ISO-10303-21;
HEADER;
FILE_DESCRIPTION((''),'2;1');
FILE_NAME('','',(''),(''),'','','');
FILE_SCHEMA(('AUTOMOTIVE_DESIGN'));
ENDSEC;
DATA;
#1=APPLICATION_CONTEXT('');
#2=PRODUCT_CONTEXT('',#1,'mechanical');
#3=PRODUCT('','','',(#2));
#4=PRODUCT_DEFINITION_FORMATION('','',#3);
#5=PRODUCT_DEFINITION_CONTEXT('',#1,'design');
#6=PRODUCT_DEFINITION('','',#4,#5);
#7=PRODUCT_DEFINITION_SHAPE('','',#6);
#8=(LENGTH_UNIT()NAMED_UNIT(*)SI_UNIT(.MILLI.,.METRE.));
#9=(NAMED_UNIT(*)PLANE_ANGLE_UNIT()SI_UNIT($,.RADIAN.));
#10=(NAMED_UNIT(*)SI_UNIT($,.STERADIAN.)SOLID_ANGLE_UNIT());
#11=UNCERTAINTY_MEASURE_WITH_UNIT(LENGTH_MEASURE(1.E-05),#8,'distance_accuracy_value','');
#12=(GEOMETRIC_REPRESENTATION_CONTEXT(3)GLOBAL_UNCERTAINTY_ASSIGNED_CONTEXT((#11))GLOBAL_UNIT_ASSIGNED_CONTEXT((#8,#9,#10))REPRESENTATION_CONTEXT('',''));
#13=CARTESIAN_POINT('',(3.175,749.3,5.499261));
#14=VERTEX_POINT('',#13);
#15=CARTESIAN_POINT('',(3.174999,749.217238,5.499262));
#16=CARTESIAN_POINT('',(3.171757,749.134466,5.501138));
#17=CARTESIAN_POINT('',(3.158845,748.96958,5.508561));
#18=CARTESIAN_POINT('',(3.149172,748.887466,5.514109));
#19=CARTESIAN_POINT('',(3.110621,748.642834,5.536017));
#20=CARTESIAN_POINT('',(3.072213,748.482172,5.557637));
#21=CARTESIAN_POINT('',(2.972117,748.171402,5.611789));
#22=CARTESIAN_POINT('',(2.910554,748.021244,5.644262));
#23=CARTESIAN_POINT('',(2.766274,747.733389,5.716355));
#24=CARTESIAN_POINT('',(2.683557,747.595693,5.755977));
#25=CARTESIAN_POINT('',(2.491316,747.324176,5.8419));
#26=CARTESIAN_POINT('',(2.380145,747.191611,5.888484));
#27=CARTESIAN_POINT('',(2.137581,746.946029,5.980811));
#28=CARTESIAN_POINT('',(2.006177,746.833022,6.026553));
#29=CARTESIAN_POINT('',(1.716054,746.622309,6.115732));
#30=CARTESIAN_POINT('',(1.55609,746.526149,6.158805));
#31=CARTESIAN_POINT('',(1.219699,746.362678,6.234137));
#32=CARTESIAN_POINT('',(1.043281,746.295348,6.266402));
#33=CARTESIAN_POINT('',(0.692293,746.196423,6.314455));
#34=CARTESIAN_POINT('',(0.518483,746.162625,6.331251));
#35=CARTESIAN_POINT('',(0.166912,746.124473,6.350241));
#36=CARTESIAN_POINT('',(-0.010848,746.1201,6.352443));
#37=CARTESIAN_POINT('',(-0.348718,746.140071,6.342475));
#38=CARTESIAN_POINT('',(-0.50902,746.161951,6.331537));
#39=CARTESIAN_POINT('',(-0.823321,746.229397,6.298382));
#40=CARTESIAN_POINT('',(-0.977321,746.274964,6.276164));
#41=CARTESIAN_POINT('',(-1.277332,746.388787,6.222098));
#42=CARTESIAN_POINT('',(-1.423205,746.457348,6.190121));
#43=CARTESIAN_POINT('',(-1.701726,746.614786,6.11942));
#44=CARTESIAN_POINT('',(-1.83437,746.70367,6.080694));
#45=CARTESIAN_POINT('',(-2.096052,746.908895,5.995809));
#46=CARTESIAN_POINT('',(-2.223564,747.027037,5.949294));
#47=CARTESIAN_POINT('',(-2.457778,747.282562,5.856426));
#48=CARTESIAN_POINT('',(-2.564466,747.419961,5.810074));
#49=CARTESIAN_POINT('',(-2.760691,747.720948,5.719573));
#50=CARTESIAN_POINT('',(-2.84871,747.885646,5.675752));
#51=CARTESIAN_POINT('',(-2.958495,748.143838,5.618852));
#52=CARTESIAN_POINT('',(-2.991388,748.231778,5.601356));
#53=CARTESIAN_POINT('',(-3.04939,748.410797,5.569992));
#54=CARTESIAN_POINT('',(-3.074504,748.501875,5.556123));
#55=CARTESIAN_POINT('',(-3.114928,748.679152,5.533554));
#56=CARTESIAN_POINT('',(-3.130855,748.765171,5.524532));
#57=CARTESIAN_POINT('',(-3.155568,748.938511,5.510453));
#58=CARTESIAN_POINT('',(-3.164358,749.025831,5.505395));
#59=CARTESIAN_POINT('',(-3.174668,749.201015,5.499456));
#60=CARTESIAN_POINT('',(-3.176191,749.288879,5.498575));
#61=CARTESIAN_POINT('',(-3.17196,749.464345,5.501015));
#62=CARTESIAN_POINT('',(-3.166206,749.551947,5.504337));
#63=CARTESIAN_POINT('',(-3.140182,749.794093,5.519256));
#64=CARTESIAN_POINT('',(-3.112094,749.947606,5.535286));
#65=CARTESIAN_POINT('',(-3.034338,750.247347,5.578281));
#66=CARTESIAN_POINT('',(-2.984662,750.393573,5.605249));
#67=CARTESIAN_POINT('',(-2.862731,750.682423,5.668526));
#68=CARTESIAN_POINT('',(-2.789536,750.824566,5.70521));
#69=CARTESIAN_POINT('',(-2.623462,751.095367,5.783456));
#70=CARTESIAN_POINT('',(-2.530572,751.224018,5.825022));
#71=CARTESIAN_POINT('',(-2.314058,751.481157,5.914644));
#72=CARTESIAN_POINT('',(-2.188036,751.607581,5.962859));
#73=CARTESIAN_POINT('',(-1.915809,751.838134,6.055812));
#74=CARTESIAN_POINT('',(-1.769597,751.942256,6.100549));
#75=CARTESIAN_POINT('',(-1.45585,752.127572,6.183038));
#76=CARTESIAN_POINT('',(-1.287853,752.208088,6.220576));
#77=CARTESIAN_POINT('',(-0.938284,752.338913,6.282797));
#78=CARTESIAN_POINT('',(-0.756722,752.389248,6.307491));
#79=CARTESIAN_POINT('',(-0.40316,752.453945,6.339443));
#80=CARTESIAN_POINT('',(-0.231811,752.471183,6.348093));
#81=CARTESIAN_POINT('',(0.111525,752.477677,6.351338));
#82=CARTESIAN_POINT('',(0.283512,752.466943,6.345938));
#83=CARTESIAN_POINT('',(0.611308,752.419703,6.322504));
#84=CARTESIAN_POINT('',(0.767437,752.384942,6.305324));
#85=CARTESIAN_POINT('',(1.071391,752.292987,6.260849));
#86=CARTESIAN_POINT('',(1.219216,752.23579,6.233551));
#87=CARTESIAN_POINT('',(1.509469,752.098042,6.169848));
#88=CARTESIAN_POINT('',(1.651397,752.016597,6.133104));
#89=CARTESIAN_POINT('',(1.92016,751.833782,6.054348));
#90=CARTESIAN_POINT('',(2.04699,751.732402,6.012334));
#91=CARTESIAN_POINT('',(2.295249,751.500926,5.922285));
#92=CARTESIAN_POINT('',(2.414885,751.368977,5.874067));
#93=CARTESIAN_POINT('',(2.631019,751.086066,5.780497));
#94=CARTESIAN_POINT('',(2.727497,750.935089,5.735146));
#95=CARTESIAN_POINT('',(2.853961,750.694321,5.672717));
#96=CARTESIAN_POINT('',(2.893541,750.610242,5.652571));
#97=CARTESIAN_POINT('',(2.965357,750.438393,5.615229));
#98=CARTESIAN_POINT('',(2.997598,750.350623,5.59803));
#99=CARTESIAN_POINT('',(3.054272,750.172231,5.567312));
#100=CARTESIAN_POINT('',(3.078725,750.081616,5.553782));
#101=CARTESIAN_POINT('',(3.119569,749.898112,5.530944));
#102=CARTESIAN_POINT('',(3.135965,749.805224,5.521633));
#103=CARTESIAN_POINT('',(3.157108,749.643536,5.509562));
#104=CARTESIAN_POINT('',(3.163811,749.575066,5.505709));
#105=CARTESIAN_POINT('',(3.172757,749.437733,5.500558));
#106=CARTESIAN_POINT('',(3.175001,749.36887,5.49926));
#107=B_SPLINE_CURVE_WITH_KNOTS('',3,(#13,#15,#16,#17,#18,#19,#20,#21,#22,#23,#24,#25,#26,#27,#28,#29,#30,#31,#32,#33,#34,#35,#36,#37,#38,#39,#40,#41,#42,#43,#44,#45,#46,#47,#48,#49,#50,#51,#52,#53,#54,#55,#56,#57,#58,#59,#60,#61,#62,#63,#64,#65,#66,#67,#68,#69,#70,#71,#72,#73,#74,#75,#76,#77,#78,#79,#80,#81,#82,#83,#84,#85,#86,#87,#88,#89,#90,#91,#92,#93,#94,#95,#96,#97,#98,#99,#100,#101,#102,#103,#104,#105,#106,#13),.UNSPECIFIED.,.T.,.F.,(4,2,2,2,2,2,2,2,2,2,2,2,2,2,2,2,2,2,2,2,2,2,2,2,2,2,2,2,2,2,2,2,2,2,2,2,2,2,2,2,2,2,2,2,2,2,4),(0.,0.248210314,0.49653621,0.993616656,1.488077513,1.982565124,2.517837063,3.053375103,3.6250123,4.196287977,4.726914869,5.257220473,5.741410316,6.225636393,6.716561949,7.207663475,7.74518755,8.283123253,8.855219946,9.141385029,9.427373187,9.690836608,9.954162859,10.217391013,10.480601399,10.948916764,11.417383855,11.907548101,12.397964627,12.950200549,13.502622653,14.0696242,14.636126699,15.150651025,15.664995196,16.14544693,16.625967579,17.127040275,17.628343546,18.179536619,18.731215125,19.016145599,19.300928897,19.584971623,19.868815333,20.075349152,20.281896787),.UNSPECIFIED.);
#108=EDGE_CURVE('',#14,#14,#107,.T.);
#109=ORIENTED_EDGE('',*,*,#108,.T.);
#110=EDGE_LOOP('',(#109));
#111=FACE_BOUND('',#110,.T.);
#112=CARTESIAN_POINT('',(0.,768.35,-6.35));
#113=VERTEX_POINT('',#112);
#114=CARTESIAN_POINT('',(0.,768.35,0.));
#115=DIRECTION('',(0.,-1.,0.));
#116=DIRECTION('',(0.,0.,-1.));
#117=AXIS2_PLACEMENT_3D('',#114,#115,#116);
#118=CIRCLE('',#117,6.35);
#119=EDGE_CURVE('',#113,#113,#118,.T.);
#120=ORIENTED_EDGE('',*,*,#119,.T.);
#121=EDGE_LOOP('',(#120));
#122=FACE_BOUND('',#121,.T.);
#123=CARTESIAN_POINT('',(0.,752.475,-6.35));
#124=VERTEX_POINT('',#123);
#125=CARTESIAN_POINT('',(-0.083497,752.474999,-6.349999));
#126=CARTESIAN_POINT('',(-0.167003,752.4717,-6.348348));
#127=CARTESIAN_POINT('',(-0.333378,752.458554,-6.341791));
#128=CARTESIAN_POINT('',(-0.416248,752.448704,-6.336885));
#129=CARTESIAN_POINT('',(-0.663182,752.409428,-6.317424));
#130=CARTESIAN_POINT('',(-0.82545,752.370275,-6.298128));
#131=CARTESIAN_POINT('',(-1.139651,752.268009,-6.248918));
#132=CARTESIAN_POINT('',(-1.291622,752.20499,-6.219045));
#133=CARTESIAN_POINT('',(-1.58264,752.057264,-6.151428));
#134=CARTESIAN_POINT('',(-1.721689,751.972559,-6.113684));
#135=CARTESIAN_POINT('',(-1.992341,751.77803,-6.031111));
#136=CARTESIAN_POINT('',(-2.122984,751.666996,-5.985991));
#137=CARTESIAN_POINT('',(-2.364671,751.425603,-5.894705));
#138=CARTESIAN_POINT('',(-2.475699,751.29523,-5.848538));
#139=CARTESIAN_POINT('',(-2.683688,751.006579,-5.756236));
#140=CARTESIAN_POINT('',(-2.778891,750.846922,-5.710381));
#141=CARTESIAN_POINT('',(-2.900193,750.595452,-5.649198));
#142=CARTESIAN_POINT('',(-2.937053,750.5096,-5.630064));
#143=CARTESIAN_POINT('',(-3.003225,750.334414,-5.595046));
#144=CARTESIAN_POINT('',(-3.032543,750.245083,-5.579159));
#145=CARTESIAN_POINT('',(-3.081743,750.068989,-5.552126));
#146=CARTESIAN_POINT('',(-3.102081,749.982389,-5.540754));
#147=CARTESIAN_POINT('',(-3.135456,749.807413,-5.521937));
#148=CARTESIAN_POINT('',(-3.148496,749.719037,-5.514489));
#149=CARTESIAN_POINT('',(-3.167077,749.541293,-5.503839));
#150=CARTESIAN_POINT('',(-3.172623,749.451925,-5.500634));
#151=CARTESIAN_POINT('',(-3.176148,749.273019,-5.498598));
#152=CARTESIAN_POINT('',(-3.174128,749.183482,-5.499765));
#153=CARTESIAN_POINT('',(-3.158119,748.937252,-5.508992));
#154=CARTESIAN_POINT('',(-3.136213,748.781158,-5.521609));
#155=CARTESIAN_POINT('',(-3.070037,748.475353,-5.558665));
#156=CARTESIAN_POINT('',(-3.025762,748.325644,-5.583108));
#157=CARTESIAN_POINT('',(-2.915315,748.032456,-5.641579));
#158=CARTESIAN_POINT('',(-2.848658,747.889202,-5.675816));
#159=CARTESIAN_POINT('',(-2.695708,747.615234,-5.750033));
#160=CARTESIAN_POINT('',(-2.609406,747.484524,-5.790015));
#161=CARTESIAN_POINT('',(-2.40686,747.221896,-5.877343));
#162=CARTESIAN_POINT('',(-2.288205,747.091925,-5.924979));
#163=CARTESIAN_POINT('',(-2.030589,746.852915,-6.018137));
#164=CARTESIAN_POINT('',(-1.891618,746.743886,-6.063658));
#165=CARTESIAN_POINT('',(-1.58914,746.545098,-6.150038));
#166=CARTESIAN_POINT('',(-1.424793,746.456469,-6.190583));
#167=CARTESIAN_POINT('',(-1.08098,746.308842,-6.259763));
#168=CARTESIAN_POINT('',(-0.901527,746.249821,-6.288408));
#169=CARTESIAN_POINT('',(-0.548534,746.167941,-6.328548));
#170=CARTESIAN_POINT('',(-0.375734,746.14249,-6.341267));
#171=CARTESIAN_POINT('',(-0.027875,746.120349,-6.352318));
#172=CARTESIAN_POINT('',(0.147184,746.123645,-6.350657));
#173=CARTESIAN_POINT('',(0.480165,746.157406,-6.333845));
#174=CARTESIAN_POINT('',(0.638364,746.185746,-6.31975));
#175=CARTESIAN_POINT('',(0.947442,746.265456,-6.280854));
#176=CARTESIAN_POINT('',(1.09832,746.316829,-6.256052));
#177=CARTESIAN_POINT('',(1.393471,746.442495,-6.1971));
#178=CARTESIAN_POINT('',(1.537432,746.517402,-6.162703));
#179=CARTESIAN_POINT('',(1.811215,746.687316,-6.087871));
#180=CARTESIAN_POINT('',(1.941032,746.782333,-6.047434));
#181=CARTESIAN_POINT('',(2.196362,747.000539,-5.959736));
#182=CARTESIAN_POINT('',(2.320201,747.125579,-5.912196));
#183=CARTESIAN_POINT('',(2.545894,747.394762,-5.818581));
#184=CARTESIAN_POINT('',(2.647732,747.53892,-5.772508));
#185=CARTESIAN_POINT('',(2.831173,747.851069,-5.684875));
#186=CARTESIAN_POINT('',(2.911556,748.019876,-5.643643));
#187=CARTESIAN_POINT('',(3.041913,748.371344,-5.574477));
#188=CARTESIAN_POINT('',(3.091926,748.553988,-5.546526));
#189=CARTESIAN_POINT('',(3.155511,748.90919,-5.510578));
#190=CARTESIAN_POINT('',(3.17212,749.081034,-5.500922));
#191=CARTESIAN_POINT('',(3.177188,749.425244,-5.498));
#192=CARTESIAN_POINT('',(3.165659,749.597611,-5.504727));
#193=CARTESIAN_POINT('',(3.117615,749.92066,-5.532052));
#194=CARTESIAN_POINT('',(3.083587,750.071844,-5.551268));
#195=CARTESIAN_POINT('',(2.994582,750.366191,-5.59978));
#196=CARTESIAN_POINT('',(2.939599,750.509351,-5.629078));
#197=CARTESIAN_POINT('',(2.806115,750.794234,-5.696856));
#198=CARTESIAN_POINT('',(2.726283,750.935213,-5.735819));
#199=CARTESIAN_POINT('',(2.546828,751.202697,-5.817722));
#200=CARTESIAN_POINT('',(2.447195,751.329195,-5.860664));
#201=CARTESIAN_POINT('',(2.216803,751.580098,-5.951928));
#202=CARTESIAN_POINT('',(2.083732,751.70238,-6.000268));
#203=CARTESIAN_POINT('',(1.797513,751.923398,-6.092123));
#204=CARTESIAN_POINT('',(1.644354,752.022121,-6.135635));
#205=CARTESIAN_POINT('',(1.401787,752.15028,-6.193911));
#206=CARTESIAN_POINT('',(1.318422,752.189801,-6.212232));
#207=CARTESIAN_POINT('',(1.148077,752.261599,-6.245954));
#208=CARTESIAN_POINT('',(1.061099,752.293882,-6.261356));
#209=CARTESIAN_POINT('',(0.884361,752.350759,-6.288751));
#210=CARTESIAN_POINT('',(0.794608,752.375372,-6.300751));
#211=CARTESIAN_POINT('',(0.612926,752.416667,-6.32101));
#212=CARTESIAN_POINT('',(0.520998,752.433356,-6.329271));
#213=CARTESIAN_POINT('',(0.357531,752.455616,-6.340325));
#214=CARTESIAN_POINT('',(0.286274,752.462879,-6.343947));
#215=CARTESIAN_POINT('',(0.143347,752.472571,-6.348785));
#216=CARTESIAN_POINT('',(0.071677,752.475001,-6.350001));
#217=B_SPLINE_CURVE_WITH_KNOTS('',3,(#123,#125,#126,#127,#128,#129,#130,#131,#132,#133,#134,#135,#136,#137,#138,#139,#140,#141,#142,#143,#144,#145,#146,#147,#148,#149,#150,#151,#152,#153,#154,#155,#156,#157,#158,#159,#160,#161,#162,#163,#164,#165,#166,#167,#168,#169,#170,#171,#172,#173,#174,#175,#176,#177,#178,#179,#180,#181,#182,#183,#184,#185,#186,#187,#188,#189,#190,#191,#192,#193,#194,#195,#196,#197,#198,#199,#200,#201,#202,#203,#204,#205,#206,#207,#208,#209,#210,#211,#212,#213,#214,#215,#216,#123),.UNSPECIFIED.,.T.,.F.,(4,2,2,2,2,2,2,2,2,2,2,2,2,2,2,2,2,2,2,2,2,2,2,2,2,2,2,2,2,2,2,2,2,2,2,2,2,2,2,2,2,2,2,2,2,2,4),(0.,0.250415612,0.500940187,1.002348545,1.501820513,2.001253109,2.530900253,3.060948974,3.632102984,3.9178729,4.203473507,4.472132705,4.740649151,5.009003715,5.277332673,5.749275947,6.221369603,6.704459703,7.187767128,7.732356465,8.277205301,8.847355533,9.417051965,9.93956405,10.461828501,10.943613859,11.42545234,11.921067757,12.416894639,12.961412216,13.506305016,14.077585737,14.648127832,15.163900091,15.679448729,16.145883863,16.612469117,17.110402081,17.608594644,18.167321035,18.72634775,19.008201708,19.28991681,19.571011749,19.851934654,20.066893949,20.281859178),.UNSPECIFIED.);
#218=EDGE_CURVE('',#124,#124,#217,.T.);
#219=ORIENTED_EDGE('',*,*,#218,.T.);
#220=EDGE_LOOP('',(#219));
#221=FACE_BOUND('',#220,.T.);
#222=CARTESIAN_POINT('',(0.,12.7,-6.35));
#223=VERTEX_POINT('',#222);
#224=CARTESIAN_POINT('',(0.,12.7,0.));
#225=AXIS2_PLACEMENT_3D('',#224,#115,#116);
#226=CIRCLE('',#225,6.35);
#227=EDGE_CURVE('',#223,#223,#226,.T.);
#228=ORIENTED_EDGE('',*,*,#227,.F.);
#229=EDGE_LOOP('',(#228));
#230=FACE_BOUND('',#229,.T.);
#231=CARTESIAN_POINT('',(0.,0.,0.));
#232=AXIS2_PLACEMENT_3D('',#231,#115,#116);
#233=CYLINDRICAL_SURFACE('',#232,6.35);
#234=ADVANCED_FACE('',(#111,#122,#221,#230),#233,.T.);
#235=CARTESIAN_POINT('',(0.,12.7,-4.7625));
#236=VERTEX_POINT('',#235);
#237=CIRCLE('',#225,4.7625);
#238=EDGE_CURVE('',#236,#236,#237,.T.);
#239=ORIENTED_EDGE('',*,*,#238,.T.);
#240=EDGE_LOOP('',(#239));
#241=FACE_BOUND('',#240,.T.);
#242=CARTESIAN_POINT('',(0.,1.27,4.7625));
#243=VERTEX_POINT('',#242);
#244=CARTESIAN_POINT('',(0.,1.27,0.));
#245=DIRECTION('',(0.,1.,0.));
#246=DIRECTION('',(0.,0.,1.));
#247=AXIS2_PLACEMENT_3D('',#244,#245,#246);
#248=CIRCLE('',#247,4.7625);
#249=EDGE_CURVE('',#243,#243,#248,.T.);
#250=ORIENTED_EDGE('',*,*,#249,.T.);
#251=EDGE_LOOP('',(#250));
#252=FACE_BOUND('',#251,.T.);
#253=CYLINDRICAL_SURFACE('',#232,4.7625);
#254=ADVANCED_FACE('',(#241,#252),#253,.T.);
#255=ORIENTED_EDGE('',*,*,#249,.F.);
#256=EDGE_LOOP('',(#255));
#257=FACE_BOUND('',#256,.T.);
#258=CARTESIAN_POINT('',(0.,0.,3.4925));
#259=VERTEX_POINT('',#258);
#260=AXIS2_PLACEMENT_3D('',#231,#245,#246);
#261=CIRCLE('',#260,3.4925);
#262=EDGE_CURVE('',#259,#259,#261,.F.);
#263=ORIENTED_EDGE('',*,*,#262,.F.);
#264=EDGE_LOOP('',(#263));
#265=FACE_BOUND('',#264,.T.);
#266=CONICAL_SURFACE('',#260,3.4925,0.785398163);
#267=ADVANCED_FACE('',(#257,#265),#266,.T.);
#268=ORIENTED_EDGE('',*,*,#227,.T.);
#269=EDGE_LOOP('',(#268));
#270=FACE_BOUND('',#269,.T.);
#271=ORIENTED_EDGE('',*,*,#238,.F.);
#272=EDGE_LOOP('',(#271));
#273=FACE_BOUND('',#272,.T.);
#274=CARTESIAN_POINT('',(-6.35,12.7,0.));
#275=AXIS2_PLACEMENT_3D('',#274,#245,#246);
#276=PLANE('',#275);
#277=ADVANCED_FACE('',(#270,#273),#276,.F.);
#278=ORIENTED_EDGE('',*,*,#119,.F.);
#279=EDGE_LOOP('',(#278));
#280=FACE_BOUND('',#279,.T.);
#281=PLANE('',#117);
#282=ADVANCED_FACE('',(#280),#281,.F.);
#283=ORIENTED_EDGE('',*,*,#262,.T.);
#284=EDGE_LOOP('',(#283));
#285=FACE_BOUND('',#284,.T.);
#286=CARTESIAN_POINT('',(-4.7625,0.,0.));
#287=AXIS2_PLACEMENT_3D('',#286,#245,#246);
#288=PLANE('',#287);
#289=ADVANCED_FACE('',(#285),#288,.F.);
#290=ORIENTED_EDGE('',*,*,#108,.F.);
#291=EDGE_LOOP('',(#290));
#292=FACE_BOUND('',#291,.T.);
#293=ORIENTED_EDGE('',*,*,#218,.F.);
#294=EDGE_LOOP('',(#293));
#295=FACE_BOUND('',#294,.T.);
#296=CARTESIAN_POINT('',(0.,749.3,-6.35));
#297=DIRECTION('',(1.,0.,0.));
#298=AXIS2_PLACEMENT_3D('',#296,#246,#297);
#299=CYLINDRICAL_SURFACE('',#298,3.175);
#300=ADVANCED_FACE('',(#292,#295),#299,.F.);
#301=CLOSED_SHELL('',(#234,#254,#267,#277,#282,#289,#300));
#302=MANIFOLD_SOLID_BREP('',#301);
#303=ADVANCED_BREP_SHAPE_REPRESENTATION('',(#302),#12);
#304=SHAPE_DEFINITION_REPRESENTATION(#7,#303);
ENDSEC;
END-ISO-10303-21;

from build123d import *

# Parameters (mm, degrees)
CHAMFER1_SIZE           = 1.27
CUT_EXTRUDE1_DEPTH      = 769.402477547
CUT_EXTRUDE1_DEPTH_BACK = 769.402477547
SKETCH2_R               = 3.175


with BuildPart() as part:
    # Sketch1 → Revolve1 (revolve)
    with BuildSketch(Plane.XY, mode=Mode.PRIVATE) as revolve1_sk:
        Polygon((0, 0), (0, 768.35), (-6.35, 768.35), (-6.35, 12.7), (-4.7625, 12.7), (-4.7625, 0), align=None)
    revolve(revolve1_sk.sketch.rotate(Axis((0, 0, 0), (0, 1, 0)), 270), axis=Axis((0, 0, 0), (0, 1, 0)))

    # Chamfer1
    chamfer1_edges = [part.edges().sort_by_distance(p)[0] for p in [
        (0, 0, 4.7625),
    ]]
    chamfer(chamfer1_edges, length=CHAMFER1_SIZE)

    # Sketch2 → Cut-Extrude1 (cut, two sides: drawn at the far end of the back side and taken through both)
    with BuildSketch(Plane.XY.offset(-CUT_EXTRUDE1_DEPTH_BACK)):
        with Locations((0, 749.3)):
            Circle(SKETCH2_R)
    extrude(amount=CUT_EXTRUDE1_DEPTH + CUT_EXTRUDE1_DEPTH_BACK, mode=Mode.SUBTRACT)


solid = part.part
